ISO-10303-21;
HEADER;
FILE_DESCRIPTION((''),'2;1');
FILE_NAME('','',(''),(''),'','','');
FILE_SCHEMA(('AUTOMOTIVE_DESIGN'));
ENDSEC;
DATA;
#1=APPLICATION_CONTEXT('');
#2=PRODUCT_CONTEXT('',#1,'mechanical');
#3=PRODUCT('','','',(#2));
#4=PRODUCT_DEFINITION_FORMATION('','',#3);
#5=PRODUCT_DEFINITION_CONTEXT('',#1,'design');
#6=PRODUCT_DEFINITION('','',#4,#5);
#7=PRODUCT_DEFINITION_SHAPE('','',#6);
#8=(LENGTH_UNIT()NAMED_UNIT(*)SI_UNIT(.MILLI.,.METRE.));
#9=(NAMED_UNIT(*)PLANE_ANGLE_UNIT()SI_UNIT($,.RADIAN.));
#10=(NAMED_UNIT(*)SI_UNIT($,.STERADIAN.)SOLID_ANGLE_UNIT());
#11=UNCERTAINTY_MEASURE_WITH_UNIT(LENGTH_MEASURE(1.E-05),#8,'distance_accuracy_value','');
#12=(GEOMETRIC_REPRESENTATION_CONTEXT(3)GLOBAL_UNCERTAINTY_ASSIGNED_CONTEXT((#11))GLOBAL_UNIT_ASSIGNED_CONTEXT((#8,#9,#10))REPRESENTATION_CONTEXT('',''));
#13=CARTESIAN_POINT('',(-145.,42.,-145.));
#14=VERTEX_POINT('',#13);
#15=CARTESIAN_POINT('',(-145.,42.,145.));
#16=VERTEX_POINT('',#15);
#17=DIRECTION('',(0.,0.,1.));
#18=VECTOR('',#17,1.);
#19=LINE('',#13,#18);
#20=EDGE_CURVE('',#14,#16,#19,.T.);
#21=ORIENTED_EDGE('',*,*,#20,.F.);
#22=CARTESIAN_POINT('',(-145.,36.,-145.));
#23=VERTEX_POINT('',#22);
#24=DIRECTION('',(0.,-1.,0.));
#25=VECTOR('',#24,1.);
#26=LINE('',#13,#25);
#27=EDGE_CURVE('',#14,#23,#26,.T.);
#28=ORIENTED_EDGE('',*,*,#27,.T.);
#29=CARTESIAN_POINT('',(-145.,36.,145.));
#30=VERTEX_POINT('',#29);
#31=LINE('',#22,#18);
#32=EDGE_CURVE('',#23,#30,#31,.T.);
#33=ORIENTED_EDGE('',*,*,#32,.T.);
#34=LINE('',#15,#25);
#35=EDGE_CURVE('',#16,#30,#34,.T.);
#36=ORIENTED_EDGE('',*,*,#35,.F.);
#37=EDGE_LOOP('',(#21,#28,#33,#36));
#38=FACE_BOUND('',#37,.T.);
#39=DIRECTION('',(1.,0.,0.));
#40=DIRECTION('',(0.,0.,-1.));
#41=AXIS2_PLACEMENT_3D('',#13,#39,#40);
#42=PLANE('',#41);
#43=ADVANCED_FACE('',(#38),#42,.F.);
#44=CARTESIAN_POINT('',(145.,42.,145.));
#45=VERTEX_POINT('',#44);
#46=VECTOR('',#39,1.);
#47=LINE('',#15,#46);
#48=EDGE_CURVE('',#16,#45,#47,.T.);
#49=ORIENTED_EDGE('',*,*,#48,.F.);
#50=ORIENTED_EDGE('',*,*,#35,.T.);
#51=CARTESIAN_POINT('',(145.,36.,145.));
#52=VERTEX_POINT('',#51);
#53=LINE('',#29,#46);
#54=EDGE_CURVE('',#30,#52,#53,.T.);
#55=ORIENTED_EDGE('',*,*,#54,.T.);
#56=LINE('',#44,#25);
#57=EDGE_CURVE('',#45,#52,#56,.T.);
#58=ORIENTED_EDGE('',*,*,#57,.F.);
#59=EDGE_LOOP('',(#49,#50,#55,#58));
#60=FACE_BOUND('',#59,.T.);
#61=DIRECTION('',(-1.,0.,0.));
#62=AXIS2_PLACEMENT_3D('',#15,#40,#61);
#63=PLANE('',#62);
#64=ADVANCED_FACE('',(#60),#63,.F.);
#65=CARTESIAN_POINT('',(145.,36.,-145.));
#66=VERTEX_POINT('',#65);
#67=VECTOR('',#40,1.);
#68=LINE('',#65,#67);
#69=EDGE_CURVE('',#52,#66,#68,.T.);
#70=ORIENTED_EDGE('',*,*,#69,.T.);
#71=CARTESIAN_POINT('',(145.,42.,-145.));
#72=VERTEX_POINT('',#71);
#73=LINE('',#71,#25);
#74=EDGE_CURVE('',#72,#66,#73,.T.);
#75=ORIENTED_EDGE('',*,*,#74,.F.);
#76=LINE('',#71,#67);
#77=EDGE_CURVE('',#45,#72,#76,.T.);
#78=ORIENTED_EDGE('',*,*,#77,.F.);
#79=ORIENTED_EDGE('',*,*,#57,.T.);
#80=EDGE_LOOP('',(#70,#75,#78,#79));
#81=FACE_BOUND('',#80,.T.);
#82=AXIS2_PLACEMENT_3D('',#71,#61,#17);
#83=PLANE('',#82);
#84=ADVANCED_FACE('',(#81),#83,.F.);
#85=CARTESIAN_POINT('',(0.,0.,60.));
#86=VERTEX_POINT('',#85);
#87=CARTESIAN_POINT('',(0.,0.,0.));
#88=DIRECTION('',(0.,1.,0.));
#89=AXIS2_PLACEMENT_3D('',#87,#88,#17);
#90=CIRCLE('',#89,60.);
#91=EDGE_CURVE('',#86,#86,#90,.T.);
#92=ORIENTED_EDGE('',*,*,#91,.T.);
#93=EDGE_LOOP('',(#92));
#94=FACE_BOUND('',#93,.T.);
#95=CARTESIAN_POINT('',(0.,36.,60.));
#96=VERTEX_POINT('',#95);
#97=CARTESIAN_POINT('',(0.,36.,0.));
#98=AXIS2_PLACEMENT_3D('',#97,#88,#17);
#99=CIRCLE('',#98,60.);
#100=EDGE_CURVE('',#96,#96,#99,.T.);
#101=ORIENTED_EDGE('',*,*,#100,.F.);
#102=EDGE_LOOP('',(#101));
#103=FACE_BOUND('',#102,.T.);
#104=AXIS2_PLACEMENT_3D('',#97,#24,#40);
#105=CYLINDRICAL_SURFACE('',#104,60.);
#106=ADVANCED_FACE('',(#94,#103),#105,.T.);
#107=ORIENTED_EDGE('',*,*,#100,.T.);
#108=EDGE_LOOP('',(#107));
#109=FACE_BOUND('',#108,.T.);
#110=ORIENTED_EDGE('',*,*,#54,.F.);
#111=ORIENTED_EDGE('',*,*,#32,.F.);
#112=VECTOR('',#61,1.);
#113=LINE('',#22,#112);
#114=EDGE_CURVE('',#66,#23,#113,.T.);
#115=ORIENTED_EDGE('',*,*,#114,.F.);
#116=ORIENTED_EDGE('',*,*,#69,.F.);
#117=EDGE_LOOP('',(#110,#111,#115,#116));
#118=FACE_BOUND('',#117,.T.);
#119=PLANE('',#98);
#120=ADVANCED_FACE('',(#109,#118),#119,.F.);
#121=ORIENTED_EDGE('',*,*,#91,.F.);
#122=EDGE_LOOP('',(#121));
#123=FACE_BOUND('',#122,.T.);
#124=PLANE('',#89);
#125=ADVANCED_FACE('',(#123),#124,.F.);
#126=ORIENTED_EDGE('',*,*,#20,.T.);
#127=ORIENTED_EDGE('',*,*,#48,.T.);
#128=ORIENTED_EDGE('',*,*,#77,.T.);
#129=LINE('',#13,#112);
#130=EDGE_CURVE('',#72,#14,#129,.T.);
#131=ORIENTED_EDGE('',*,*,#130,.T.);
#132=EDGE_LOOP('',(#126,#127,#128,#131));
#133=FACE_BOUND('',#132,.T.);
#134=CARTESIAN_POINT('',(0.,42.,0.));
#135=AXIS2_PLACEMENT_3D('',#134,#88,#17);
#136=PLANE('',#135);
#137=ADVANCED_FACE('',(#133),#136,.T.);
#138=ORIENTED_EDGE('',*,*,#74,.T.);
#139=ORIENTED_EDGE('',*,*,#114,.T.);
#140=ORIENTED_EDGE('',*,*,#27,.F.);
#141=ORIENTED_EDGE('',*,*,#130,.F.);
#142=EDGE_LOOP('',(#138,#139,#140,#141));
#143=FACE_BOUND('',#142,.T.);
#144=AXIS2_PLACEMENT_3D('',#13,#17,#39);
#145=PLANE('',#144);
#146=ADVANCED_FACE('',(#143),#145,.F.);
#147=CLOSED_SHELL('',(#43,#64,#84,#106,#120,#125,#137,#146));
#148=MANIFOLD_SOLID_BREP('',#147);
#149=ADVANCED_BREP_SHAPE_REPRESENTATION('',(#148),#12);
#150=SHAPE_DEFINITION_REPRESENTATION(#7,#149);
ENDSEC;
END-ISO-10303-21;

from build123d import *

# Parameters (mm, degrees)
SKETCH2_R           = 60
BOSS_EXTRUDE1_DEPTH = 36
SKETCH3_W           = 290
SKETCH3_H           = 290
BOSS_EXTRUDE2_DEPTH = 6


with BuildPart() as part:
    # Sketch2 → Boss-Extrude1 (new body)
    with BuildSketch(Plane(origin=(0, 0, 0), x_dir=(1, 0, 0), z_dir=(0, 1, 0))):
        Circle(SKETCH2_R)
    extrude(amount=BOSS_EXTRUDE1_DEPTH)

    # Sketch3 → Boss-Extrude2 (add)
    with BuildSketch(Plane(origin=(0, 36, 0), x_dir=(1, 0, 0), z_dir=(0, 1, 0))):
        Rectangle(SKETCH3_W, SKETCH3_H)
    extrude(amount=BOSS_EXTRUDE2_DEPTH)


solid = part.part
